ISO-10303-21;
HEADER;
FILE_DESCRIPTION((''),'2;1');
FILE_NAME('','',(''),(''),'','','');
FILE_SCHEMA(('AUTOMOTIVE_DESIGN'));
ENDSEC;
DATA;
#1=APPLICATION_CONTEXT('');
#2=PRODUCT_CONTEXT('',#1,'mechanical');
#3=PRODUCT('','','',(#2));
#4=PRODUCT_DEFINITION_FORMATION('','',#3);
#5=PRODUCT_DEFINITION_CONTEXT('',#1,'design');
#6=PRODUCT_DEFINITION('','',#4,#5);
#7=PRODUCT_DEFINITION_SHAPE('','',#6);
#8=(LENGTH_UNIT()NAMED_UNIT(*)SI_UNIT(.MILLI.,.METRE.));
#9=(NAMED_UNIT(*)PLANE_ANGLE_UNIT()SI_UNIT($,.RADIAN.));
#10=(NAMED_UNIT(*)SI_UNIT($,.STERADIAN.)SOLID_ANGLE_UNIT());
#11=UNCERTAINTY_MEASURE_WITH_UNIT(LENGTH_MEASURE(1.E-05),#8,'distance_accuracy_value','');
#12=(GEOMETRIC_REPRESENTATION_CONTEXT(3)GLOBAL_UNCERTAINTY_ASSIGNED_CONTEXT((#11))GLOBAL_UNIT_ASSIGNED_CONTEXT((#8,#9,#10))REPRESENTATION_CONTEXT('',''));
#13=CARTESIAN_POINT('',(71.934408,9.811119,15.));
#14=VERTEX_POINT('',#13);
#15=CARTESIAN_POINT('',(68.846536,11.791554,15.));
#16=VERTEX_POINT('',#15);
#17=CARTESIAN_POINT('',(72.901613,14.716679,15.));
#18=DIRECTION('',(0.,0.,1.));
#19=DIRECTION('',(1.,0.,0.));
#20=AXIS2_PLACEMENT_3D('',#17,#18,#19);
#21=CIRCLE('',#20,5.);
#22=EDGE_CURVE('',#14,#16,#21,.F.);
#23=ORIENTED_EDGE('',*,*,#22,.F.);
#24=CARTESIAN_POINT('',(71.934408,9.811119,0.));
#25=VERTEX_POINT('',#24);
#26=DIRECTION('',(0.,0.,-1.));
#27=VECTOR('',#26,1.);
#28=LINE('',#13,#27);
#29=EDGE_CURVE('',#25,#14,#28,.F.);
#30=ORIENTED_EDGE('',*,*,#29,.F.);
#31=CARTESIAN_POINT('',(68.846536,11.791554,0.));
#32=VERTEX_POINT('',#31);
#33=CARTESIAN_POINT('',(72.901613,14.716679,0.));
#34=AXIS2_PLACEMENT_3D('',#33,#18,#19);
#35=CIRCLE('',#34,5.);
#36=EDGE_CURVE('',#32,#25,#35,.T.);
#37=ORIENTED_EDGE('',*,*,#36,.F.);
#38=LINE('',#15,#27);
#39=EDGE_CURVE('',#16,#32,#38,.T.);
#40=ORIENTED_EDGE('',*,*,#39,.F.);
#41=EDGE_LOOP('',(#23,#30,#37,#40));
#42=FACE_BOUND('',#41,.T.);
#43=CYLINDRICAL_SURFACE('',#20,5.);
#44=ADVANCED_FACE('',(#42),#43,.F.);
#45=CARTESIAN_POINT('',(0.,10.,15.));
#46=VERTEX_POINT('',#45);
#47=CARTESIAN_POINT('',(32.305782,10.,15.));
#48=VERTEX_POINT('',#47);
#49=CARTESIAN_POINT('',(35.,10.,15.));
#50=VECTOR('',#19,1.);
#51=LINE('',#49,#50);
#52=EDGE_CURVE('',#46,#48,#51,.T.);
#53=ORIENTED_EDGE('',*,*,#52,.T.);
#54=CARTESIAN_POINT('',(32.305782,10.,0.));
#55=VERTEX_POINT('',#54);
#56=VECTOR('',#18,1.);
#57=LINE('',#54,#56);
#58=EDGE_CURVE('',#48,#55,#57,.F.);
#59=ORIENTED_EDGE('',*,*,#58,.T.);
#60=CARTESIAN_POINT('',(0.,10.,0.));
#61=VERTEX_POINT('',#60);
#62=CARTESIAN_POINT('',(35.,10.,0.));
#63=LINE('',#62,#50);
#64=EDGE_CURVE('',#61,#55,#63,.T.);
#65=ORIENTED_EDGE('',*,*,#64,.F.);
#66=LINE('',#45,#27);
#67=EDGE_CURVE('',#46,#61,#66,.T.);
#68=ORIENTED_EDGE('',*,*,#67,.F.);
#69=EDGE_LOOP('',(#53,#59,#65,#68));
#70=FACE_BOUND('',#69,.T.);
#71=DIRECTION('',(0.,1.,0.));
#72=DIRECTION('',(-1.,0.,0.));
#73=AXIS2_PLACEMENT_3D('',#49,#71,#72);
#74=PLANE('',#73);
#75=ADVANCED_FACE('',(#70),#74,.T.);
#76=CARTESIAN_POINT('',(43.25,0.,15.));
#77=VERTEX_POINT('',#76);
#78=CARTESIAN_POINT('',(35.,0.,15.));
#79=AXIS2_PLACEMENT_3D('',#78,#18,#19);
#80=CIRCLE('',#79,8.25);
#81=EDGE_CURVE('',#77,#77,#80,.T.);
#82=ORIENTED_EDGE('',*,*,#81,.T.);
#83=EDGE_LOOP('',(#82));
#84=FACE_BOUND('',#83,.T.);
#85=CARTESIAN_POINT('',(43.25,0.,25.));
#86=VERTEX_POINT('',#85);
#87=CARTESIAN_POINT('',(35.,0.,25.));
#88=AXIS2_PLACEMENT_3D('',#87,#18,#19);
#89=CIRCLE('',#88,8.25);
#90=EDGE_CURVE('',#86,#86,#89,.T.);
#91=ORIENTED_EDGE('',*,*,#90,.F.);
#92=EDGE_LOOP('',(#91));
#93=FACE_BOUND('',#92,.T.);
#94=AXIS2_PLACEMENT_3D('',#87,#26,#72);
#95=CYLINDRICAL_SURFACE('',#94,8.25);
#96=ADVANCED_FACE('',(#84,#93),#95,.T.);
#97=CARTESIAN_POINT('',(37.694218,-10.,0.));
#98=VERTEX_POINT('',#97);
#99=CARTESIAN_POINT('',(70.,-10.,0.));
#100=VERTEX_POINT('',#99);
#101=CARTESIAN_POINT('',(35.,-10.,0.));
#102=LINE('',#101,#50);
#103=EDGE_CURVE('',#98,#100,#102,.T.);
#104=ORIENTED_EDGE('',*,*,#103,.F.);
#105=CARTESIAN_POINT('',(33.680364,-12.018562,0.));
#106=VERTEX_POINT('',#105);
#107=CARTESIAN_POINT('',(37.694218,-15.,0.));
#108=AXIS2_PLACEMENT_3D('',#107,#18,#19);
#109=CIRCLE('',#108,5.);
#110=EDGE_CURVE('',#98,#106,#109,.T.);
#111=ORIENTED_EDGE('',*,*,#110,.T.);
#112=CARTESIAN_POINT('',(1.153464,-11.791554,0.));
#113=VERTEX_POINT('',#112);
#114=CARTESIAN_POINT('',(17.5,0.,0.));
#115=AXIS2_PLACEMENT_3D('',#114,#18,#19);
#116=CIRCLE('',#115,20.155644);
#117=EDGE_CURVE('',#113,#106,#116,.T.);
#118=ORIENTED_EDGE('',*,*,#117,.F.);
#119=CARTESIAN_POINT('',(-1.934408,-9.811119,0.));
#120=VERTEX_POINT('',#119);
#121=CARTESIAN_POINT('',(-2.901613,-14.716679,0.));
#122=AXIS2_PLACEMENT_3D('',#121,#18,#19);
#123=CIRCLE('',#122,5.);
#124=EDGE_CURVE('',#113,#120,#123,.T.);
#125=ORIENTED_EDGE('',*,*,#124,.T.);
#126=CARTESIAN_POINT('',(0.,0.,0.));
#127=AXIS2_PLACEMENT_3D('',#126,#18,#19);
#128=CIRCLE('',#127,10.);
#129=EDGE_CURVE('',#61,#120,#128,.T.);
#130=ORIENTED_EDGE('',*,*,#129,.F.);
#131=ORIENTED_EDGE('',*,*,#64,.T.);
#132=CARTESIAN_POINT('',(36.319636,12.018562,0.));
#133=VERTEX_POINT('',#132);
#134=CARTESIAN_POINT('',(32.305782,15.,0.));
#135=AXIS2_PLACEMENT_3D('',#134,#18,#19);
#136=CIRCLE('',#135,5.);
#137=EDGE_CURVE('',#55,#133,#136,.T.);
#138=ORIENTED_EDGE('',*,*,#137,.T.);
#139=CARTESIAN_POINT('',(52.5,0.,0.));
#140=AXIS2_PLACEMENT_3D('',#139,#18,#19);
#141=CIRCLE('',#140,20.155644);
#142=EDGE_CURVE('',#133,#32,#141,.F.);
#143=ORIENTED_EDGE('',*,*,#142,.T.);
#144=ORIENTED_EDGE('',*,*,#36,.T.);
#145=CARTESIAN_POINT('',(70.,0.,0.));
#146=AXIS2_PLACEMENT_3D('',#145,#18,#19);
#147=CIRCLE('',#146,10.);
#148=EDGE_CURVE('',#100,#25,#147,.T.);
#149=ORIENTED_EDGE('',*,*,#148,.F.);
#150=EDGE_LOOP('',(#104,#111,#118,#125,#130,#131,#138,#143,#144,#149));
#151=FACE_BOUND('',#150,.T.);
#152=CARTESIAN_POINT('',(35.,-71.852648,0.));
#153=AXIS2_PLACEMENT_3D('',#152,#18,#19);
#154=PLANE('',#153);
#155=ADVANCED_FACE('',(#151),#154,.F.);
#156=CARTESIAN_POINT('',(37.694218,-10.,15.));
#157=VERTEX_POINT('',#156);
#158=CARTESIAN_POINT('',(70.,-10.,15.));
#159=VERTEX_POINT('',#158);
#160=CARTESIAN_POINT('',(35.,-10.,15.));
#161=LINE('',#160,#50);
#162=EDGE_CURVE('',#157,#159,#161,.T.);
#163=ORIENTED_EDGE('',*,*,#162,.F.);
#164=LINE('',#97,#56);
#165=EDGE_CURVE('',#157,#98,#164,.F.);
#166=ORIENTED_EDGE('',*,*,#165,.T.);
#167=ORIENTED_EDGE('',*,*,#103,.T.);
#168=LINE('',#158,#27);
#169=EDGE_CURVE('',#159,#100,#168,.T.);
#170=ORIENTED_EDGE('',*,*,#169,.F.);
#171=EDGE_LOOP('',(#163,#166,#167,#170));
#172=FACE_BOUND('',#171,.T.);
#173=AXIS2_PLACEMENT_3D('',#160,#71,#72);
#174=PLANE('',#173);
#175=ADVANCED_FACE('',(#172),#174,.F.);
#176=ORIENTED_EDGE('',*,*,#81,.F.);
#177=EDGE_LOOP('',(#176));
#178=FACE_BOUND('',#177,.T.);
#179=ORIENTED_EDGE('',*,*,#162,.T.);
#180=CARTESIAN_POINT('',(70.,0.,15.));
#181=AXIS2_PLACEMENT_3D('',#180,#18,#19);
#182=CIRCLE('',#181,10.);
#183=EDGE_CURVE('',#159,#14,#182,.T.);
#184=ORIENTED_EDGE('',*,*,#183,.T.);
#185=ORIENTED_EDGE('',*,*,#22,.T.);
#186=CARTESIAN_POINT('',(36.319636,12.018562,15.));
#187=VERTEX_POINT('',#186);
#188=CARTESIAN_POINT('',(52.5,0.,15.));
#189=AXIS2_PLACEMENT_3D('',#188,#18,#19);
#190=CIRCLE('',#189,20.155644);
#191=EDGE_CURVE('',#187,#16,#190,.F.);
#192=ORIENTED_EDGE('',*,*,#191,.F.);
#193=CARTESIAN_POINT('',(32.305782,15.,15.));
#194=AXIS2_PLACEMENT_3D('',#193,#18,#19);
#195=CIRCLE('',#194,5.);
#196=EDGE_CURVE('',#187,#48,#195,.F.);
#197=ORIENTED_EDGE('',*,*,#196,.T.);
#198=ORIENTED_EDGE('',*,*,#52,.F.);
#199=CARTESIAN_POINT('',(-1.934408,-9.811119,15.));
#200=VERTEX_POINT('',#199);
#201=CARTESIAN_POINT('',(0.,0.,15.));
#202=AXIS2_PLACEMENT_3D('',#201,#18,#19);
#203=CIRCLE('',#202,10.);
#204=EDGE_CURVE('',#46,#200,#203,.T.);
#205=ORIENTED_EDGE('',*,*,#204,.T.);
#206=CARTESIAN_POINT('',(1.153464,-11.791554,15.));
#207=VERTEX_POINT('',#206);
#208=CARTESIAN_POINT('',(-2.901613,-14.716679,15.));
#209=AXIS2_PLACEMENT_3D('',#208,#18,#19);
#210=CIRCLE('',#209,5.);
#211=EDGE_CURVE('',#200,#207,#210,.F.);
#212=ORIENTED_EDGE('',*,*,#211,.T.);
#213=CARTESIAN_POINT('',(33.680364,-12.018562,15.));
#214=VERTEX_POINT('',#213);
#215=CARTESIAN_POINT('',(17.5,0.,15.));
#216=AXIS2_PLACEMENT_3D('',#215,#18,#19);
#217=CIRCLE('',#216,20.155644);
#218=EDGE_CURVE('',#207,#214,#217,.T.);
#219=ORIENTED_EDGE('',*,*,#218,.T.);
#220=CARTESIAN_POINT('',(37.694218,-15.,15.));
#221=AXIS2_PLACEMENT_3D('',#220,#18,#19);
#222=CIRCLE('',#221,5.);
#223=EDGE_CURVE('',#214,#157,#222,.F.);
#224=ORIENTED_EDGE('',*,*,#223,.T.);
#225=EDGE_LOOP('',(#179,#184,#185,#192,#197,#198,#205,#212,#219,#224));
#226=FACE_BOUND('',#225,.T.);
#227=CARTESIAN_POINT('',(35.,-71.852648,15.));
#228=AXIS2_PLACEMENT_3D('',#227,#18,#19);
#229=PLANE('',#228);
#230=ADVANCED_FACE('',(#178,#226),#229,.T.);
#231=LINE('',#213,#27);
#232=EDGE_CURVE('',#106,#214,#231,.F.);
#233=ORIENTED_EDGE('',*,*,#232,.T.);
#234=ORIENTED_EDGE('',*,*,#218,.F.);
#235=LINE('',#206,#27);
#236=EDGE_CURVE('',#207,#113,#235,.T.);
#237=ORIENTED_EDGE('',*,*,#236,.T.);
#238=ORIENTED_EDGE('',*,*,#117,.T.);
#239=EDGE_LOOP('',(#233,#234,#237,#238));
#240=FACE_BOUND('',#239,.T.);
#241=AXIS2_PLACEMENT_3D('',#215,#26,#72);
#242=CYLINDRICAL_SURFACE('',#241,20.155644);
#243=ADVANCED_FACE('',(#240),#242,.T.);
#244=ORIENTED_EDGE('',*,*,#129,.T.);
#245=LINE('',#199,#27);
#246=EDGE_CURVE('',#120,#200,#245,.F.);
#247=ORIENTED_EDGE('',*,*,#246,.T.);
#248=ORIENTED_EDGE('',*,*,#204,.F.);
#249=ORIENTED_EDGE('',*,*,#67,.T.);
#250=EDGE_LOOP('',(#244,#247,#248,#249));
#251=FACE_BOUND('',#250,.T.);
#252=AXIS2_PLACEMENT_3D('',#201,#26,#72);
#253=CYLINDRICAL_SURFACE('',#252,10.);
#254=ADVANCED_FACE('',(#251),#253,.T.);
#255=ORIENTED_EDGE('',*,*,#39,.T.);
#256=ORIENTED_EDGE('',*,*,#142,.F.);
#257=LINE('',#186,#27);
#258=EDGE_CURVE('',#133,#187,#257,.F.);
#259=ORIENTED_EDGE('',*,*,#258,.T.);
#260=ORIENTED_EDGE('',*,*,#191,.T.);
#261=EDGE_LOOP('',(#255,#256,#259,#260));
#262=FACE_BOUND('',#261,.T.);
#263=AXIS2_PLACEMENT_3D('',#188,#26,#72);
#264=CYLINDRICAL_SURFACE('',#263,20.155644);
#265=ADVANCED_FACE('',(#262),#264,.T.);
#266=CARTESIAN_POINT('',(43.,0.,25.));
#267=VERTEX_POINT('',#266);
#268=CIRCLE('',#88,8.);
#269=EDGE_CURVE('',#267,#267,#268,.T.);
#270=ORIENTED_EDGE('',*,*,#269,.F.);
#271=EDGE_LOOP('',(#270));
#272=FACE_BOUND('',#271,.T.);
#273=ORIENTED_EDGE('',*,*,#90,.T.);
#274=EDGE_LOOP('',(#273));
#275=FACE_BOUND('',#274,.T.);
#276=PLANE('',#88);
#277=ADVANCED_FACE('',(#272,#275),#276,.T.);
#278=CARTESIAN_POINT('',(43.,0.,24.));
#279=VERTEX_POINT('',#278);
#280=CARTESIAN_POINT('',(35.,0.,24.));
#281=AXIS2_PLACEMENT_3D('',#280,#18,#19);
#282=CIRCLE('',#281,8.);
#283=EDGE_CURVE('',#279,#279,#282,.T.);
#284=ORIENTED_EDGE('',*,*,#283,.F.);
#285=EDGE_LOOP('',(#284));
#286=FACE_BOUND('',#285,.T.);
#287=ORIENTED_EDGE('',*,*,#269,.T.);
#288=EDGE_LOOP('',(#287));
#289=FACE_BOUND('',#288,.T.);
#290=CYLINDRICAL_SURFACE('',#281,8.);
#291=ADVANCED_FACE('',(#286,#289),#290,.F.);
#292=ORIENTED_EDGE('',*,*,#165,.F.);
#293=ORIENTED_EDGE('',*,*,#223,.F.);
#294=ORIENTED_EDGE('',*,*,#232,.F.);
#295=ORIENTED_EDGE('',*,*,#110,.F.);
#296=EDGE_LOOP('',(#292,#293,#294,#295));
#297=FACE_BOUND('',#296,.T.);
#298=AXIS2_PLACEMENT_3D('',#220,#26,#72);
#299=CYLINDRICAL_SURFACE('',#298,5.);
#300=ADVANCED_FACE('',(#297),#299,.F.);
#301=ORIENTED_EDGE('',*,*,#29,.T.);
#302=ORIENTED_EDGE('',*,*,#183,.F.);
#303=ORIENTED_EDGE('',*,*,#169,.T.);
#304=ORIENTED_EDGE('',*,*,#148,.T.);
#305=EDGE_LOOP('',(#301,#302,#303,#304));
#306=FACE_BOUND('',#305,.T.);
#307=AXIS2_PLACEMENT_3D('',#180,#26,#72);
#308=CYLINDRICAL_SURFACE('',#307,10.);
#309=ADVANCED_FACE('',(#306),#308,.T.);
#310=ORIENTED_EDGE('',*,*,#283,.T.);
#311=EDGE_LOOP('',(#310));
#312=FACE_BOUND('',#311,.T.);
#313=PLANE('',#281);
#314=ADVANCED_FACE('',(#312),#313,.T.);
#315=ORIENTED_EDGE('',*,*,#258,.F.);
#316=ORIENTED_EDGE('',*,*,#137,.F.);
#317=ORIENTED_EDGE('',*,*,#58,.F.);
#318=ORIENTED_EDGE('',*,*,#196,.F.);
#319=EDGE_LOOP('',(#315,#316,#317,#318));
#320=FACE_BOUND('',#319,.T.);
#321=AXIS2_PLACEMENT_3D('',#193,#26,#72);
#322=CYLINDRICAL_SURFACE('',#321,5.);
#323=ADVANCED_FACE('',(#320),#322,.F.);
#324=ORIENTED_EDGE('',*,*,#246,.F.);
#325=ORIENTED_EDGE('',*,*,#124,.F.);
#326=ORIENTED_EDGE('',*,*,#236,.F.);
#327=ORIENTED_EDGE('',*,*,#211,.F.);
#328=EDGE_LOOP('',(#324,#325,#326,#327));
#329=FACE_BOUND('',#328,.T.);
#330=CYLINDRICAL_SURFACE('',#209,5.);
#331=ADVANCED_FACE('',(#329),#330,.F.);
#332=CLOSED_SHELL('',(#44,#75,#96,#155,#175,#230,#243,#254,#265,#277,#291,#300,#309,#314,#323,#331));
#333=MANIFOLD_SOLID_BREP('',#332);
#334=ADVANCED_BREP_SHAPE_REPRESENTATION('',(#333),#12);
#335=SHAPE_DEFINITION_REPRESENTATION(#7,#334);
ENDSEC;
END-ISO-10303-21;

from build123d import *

# Parameters (mm, degrees)
BOSS_EXTRUDE5_DEPTH = 15
SKETCH5_R           = 8.25
BOSS_EXTRUDE6_DEPTH = 10
SKETCH6_R           = 8
CUT_EXTRUDE2_DEPTH  = 1
FILLET3_R           = 5


with BuildPart() as part:
    # Sketch1 → Boss-Extrude5 (new body)
    with BuildSketch(Plane.XY):
        with BuildLine():
            Line((35, 10), (0, 10))
            ThreePointArc((0, 10), (-10, 0), (0, -10))
            Line((0, -10), (35, -10))
            Line((35, -10), (70, -10))
            ThreePointArc((70, -10), (80, 0), (70, 10))
            Line((70, 10), (35, 10))
        make_face()
        with BuildLine():
            ThreePointArc((70, 10), (52.5, 20.155644371), (35, 10))
            Line((35, 10), (70, 10))
        make_face()
        with BuildLine():
            Line((35, -10), (0, -10))
            ThreePointArc((0, -10), (17.5, -20.155644371), (35, -10))
        make_face()
    extrude(amount=BOSS_EXTRUDE5_DEPTH)

    # Sketch5 → Boss-Extrude6 (add)
    with BuildSketch(Plane.XY.offset(15)):
        with Locations((35, 0)):
            Circle(SKETCH5_R)
    extrude(amount=BOSS_EXTRUDE6_DEPTH)

    # Sketch6 → Cut-Extrude2 (cut)
    with BuildSketch(Plane.XY.offset(25)):
        with Locations((35, 0)):
            Circle(SKETCH6_R)
    extrude(amount=-CUT_EXTRUDE2_DEPTH, mode=Mode.SUBTRACT)

    # Fillet3
    fillet3_edges = [part.edges().sort_by_distance(p)[0] for p in [
        (35, -10, 7.5),
        (0, -10, 7.5),
        (35, 10, 7.5),
        (70, 10, 7.5),
    ]]
    fillet(fillet3_edges, radius=FILLET3_R)


solid = part.part
